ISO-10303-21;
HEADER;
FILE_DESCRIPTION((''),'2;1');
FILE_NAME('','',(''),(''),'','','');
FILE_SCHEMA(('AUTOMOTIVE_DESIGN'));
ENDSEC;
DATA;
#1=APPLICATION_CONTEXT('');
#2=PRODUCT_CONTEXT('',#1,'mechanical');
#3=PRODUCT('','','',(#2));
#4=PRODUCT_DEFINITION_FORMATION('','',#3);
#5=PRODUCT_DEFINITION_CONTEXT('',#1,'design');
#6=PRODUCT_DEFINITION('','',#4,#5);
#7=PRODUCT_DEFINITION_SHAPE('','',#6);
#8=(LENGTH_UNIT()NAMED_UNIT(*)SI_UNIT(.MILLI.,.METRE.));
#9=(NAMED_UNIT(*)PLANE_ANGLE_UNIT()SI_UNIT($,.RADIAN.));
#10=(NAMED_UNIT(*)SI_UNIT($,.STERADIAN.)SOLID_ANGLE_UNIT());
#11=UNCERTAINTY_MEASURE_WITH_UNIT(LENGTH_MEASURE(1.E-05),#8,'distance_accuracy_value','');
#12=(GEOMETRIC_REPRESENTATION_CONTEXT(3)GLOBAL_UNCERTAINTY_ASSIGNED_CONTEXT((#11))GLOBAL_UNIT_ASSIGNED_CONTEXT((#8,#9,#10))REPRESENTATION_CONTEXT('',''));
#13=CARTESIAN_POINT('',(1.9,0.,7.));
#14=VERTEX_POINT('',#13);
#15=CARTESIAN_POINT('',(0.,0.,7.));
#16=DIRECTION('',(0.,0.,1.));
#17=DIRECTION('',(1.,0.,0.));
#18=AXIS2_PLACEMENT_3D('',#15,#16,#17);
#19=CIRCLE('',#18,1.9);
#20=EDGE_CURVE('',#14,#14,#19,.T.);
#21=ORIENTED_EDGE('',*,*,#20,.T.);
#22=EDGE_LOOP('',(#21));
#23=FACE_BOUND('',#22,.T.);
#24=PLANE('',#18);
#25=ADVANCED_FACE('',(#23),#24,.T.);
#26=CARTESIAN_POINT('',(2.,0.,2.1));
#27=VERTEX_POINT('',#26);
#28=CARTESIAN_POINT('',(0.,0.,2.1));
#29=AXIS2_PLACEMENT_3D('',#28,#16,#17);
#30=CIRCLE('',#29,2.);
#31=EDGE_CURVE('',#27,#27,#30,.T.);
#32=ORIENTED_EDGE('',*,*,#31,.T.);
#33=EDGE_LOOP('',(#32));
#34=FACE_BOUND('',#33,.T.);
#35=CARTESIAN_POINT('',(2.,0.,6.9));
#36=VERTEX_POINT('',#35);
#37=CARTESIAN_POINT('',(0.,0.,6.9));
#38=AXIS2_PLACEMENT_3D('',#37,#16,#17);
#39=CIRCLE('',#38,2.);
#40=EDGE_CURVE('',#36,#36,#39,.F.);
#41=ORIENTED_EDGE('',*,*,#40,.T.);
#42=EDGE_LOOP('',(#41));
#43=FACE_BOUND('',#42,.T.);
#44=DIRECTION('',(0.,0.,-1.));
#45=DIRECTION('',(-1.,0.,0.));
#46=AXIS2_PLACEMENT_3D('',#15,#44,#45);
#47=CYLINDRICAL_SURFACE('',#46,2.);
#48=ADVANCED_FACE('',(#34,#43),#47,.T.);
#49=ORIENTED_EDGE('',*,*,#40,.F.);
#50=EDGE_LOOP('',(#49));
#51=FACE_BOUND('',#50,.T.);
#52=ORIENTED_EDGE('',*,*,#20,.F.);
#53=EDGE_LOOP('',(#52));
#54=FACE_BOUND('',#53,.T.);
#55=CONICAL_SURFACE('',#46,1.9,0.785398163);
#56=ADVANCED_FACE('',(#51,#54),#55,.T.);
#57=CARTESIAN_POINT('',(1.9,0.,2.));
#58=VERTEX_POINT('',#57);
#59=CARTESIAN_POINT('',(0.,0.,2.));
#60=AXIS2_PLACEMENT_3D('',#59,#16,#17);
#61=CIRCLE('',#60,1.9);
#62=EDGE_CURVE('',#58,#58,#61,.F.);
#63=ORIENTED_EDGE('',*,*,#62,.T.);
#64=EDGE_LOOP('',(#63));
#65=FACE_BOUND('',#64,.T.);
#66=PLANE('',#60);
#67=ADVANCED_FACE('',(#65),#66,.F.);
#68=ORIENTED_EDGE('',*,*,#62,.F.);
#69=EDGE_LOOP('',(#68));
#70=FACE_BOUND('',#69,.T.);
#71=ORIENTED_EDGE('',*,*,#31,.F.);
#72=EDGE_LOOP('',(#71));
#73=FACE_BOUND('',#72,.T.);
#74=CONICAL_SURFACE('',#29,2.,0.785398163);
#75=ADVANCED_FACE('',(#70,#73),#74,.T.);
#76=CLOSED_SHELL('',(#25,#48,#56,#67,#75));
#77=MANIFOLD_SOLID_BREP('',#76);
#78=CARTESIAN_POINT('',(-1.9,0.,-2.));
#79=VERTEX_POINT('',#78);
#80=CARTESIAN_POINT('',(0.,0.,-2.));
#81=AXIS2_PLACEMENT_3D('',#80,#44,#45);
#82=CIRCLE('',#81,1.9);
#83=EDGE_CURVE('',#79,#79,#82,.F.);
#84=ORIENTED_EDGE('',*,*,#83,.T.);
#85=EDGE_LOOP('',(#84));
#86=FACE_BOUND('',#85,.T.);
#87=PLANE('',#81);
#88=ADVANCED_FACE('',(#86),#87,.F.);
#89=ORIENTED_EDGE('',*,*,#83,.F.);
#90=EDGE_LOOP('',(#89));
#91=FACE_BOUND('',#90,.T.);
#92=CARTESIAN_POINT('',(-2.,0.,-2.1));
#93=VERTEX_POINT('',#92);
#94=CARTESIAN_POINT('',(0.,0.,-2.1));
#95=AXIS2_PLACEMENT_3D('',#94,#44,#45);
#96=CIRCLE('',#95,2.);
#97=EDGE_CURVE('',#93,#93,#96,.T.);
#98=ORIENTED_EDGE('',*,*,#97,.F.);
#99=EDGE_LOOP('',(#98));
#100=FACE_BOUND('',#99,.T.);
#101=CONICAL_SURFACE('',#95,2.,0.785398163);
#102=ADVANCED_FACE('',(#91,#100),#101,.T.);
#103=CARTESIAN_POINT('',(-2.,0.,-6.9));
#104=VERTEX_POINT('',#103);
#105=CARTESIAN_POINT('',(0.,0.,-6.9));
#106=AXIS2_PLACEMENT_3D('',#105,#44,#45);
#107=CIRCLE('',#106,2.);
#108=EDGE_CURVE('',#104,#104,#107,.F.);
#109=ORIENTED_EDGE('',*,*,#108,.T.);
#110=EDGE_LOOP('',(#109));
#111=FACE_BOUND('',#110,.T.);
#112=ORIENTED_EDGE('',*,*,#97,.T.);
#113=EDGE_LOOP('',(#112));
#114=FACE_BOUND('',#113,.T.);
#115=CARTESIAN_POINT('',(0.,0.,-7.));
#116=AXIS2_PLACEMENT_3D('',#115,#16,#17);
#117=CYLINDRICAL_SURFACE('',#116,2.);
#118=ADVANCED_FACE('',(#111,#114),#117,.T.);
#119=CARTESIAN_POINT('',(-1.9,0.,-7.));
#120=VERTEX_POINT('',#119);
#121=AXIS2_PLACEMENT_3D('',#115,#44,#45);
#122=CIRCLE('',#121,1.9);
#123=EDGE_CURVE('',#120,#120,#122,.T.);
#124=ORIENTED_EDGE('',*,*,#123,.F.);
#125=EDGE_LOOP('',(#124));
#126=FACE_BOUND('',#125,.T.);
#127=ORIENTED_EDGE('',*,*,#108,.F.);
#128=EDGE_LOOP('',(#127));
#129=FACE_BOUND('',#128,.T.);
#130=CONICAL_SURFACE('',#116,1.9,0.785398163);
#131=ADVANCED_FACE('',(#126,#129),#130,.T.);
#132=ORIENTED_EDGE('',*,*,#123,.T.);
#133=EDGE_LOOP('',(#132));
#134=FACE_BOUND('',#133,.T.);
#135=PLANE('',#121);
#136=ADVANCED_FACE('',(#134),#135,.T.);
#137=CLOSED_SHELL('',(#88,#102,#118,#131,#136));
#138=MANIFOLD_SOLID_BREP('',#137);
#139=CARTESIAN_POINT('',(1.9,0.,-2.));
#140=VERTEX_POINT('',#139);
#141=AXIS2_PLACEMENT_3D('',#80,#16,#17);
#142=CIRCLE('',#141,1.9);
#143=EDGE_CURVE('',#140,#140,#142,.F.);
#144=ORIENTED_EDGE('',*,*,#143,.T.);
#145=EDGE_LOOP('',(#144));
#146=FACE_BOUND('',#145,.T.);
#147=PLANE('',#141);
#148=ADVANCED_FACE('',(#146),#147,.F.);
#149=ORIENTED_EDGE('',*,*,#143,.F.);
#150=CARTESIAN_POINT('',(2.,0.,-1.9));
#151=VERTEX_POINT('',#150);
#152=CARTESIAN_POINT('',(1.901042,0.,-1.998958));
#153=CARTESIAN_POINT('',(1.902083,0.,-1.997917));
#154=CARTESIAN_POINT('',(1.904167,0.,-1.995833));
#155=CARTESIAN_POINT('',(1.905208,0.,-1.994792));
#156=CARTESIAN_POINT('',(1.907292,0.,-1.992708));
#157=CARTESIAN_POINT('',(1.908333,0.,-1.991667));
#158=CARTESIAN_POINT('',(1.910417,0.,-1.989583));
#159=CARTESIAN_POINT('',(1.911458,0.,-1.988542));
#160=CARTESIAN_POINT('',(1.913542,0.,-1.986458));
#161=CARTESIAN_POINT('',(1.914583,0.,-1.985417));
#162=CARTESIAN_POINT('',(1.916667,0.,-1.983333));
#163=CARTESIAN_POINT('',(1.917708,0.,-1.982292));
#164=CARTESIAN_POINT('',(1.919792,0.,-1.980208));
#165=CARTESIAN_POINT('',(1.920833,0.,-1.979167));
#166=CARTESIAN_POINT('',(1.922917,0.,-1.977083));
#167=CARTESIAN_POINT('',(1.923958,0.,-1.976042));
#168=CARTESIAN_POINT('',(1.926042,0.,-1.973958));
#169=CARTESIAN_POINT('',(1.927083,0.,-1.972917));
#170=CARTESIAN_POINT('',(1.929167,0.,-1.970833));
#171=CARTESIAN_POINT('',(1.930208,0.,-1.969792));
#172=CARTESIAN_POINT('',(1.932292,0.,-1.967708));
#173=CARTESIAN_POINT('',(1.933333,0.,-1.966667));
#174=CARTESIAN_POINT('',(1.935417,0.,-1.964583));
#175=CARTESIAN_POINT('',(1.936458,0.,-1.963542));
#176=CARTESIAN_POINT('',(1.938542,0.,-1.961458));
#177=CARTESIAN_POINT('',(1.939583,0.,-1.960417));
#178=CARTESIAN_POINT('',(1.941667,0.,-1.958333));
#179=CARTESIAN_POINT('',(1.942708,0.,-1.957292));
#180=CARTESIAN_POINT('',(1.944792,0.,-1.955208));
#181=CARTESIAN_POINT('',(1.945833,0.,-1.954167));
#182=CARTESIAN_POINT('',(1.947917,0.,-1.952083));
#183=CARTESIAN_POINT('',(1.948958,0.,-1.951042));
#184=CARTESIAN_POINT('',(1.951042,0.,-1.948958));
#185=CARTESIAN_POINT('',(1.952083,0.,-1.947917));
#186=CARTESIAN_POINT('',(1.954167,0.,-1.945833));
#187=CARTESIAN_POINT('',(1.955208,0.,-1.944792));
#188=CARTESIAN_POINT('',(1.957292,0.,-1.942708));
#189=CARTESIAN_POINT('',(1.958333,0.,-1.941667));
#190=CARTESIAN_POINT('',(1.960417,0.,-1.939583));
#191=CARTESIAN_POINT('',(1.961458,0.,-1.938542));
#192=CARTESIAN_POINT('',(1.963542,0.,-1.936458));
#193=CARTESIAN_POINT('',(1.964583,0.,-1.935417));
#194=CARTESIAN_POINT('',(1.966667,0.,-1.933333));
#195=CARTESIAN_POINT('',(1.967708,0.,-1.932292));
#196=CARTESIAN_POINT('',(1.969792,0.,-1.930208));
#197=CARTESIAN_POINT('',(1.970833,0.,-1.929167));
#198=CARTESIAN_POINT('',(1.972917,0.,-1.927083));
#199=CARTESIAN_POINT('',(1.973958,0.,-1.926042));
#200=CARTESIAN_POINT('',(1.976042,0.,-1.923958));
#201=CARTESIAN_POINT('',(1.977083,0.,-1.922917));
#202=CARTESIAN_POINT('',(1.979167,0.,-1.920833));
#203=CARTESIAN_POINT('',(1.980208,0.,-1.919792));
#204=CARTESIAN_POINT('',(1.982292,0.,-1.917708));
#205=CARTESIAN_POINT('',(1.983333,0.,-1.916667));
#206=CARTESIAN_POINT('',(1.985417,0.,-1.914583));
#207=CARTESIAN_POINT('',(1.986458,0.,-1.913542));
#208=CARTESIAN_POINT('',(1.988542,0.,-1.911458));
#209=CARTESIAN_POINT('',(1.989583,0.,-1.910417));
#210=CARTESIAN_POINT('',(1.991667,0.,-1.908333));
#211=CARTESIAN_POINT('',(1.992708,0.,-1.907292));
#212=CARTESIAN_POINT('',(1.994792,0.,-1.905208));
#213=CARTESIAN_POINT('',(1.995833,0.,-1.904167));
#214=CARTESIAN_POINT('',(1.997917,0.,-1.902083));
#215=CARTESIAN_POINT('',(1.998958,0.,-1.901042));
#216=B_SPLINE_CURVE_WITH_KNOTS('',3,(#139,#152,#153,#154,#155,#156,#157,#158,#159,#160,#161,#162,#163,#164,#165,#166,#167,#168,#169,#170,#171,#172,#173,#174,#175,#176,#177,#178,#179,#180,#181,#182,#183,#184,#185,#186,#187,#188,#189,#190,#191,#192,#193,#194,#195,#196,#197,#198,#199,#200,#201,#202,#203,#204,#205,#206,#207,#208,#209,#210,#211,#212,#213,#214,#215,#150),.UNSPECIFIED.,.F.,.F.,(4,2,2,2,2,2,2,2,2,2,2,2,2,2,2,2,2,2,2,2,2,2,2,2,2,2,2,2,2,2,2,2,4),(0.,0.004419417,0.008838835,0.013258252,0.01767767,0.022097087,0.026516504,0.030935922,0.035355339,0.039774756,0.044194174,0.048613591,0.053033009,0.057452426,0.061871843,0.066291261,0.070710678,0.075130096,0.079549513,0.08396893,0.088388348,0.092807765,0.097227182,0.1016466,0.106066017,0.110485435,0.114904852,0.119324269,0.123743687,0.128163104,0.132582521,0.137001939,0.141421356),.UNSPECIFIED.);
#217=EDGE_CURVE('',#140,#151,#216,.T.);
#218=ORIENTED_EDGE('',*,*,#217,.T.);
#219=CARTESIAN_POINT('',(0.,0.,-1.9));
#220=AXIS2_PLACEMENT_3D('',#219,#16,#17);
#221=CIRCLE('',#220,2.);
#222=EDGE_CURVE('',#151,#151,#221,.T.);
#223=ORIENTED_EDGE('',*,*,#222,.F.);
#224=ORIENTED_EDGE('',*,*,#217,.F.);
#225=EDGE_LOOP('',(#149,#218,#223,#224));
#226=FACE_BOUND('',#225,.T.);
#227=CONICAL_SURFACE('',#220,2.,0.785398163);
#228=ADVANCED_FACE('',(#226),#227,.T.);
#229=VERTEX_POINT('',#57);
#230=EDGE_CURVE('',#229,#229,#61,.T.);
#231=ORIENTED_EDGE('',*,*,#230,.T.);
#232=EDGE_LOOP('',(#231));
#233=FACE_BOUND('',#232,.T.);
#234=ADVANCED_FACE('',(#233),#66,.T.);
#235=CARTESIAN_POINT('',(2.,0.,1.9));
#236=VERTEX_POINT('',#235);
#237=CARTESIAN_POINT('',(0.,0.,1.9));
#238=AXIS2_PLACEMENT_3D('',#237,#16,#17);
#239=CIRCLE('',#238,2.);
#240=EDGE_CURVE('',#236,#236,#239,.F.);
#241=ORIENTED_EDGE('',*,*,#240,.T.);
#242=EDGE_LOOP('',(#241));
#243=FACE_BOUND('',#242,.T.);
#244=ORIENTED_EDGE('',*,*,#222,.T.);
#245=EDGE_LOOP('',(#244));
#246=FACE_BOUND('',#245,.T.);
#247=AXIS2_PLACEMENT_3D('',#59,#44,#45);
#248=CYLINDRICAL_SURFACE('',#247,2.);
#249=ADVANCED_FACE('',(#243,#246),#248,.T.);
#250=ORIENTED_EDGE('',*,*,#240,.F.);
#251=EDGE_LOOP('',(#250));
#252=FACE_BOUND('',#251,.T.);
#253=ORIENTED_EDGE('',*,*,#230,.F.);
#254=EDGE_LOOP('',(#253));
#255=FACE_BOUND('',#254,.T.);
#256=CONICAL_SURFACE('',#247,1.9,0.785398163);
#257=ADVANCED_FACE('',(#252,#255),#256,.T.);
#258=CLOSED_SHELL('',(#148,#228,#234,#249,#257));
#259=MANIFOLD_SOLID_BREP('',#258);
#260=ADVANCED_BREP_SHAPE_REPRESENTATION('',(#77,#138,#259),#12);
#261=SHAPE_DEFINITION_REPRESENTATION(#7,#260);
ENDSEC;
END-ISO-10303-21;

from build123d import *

# Parameters (mm, degrees)
SKETCH2_R           = 2
BOSS_EXTRUDE1_DEPTH = 2
SKETCH3_R           = 2
BOSS_EXTRUDE2_DEPTH = 5
SKETCH4_R           = 2
BOSS_EXTRUDE3_DEPTH = 5
CHAMFER1_SIZE       = 0.1
CHAMFER2_SIZE       = 0.1
CHAMFER3_SIZE       = 0.1


with BuildPart() as part:
    # Sketch2 → Boss-Extrude1 (new, symmetric)
    with BuildSketch(Plane.XY):
        Circle(SKETCH2_R)
    extrude(amount=BOSS_EXTRUDE1_DEPTH, both=True)

    # Chamfer3
    chamfer3_edges = [part.edges().sort_by_distance(p)[0] for p in [
        (-2, 0, -2),
        (-2, 0, 2),
    ]]
    chamfer(chamfer3_edges, length=CHAMFER3_SIZE)


with BuildPart() as body_2:
    # Sketch3 → Boss-Extrude2 (new body)
    with BuildSketch(Plane.XY.offset(2)):
        Circle(SKETCH3_R)
    extrude(amount=BOSS_EXTRUDE2_DEPTH)

    # Chamfer1
    chamfer1_edges = [body_2.edges().sort_by_distance(p)[0] for p in [
        (-2, 0, 2),
        (-2, 0, 7),
    ]]
    chamfer(chamfer1_edges, length=CHAMFER1_SIZE)


with BuildPart() as body_3:
    # Sketch4 → Boss-Extrude3 (new body)
    with BuildSketch(Plane(origin=(0, 0, -2), x_dir=(-1, 0, 0), z_dir=(0, 0, -1))):
        Circle(SKETCH4_R)
    extrude(amount=BOSS_EXTRUDE3_DEPTH)

    # Chamfer2
    chamfer2_edges = [body_3.edges().sort_by_distance(p)[0] for p in [
        (2, 0, -2),
        (2, 0, -7),
    ]]
    chamfer(chamfer2_edges, length=CHAMFER2_SIZE)


solid = Compound([part.part, body_2.part, body_3.part])
